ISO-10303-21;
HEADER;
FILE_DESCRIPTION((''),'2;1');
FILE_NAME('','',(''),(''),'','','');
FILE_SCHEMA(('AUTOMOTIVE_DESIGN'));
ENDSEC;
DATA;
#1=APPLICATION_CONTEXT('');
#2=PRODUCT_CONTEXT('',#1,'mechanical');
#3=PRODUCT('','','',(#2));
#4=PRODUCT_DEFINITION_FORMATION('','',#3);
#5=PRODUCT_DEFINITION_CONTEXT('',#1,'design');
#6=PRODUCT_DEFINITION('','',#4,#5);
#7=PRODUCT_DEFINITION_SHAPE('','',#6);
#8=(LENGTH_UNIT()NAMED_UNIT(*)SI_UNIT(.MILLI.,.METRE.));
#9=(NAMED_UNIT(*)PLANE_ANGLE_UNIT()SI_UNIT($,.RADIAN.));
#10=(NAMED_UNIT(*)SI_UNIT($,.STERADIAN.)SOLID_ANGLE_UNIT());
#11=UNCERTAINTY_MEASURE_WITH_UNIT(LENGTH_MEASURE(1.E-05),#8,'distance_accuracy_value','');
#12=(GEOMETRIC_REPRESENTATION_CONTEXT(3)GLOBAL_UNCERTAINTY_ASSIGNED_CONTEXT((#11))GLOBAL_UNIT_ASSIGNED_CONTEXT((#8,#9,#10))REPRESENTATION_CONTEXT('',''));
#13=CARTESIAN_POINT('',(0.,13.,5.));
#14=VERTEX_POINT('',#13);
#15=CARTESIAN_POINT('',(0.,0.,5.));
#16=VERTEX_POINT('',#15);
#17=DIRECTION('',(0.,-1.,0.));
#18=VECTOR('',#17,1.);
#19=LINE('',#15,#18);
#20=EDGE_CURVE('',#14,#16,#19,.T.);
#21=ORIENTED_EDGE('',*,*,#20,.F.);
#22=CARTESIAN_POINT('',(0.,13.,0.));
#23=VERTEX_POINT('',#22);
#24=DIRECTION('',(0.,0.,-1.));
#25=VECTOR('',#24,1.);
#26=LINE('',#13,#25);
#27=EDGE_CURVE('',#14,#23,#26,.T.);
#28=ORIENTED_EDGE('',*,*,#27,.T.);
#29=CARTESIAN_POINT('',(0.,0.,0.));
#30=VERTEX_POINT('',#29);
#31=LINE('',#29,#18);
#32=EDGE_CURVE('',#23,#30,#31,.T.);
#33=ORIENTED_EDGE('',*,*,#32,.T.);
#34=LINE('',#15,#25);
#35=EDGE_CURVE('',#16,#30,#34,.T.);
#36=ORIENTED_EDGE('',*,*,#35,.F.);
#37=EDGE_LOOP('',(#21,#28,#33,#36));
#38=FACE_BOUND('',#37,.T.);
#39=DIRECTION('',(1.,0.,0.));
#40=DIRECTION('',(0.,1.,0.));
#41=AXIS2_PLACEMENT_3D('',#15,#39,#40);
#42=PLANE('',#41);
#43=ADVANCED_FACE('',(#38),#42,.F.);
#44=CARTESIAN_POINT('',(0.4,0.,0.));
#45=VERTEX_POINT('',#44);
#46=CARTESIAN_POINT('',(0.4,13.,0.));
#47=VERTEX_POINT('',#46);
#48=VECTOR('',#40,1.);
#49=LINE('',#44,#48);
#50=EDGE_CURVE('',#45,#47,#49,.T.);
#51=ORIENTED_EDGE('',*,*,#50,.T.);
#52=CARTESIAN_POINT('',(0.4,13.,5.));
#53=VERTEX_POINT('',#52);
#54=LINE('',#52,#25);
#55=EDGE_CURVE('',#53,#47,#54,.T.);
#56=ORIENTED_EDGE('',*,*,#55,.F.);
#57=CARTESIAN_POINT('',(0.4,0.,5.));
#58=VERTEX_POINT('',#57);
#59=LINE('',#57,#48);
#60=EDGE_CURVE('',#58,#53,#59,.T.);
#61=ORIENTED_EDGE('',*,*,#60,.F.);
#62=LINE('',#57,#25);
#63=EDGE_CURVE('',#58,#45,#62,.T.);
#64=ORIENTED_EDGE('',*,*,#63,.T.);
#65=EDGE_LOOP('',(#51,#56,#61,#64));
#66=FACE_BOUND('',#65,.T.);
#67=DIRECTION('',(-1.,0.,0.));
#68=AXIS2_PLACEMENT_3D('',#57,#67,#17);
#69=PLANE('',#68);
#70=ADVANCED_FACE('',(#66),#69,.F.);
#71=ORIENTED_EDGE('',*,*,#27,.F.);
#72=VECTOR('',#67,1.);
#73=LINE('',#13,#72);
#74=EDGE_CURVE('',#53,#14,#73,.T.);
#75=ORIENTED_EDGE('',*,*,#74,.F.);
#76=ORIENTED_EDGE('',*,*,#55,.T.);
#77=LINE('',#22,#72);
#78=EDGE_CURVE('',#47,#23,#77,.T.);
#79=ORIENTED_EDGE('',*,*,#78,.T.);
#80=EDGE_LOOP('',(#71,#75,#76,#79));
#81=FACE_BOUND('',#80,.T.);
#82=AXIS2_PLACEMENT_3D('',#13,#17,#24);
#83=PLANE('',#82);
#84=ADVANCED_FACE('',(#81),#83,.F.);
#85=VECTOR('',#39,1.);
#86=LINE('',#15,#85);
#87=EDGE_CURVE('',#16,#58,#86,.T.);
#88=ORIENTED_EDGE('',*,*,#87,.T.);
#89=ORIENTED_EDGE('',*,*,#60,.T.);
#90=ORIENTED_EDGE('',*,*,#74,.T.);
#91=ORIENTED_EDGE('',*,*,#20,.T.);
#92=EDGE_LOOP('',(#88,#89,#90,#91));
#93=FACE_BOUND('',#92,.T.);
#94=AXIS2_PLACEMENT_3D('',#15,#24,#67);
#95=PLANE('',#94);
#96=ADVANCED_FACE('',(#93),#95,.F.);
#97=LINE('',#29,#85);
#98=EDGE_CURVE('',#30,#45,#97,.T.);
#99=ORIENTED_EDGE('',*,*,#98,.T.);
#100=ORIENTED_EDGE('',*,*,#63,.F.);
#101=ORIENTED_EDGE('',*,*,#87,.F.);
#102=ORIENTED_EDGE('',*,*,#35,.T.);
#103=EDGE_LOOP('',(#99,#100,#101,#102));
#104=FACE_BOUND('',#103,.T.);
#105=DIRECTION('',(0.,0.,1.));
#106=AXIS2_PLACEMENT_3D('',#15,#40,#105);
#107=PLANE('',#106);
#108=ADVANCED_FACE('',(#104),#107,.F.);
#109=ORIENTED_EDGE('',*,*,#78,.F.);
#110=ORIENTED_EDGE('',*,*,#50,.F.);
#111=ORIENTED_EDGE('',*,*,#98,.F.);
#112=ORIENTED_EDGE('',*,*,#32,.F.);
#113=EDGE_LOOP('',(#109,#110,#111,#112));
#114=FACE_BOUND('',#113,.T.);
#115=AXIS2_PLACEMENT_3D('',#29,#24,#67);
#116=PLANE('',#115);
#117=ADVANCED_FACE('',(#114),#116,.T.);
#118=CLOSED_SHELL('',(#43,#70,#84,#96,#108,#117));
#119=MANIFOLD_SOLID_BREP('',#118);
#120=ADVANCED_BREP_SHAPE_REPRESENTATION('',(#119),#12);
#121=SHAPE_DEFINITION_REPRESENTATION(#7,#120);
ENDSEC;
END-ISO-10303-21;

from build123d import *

# Parameters (mm, degrees)
SKETCH1_W           = 0.4
SKETCH1_H           = 13
BOSS_EXTRUDE1_DEPTH = 5


with BuildPart() as part:
    # Sketch1 → Boss-Extrude1 (new body)
    with BuildSketch(Plane.XY):
        with Locations((0.2, 6.5)):
            Rectangle(SKETCH1_W, SKETCH1_H)
    extrude(amount=BOSS_EXTRUDE1_DEPTH)


solid = part.part
